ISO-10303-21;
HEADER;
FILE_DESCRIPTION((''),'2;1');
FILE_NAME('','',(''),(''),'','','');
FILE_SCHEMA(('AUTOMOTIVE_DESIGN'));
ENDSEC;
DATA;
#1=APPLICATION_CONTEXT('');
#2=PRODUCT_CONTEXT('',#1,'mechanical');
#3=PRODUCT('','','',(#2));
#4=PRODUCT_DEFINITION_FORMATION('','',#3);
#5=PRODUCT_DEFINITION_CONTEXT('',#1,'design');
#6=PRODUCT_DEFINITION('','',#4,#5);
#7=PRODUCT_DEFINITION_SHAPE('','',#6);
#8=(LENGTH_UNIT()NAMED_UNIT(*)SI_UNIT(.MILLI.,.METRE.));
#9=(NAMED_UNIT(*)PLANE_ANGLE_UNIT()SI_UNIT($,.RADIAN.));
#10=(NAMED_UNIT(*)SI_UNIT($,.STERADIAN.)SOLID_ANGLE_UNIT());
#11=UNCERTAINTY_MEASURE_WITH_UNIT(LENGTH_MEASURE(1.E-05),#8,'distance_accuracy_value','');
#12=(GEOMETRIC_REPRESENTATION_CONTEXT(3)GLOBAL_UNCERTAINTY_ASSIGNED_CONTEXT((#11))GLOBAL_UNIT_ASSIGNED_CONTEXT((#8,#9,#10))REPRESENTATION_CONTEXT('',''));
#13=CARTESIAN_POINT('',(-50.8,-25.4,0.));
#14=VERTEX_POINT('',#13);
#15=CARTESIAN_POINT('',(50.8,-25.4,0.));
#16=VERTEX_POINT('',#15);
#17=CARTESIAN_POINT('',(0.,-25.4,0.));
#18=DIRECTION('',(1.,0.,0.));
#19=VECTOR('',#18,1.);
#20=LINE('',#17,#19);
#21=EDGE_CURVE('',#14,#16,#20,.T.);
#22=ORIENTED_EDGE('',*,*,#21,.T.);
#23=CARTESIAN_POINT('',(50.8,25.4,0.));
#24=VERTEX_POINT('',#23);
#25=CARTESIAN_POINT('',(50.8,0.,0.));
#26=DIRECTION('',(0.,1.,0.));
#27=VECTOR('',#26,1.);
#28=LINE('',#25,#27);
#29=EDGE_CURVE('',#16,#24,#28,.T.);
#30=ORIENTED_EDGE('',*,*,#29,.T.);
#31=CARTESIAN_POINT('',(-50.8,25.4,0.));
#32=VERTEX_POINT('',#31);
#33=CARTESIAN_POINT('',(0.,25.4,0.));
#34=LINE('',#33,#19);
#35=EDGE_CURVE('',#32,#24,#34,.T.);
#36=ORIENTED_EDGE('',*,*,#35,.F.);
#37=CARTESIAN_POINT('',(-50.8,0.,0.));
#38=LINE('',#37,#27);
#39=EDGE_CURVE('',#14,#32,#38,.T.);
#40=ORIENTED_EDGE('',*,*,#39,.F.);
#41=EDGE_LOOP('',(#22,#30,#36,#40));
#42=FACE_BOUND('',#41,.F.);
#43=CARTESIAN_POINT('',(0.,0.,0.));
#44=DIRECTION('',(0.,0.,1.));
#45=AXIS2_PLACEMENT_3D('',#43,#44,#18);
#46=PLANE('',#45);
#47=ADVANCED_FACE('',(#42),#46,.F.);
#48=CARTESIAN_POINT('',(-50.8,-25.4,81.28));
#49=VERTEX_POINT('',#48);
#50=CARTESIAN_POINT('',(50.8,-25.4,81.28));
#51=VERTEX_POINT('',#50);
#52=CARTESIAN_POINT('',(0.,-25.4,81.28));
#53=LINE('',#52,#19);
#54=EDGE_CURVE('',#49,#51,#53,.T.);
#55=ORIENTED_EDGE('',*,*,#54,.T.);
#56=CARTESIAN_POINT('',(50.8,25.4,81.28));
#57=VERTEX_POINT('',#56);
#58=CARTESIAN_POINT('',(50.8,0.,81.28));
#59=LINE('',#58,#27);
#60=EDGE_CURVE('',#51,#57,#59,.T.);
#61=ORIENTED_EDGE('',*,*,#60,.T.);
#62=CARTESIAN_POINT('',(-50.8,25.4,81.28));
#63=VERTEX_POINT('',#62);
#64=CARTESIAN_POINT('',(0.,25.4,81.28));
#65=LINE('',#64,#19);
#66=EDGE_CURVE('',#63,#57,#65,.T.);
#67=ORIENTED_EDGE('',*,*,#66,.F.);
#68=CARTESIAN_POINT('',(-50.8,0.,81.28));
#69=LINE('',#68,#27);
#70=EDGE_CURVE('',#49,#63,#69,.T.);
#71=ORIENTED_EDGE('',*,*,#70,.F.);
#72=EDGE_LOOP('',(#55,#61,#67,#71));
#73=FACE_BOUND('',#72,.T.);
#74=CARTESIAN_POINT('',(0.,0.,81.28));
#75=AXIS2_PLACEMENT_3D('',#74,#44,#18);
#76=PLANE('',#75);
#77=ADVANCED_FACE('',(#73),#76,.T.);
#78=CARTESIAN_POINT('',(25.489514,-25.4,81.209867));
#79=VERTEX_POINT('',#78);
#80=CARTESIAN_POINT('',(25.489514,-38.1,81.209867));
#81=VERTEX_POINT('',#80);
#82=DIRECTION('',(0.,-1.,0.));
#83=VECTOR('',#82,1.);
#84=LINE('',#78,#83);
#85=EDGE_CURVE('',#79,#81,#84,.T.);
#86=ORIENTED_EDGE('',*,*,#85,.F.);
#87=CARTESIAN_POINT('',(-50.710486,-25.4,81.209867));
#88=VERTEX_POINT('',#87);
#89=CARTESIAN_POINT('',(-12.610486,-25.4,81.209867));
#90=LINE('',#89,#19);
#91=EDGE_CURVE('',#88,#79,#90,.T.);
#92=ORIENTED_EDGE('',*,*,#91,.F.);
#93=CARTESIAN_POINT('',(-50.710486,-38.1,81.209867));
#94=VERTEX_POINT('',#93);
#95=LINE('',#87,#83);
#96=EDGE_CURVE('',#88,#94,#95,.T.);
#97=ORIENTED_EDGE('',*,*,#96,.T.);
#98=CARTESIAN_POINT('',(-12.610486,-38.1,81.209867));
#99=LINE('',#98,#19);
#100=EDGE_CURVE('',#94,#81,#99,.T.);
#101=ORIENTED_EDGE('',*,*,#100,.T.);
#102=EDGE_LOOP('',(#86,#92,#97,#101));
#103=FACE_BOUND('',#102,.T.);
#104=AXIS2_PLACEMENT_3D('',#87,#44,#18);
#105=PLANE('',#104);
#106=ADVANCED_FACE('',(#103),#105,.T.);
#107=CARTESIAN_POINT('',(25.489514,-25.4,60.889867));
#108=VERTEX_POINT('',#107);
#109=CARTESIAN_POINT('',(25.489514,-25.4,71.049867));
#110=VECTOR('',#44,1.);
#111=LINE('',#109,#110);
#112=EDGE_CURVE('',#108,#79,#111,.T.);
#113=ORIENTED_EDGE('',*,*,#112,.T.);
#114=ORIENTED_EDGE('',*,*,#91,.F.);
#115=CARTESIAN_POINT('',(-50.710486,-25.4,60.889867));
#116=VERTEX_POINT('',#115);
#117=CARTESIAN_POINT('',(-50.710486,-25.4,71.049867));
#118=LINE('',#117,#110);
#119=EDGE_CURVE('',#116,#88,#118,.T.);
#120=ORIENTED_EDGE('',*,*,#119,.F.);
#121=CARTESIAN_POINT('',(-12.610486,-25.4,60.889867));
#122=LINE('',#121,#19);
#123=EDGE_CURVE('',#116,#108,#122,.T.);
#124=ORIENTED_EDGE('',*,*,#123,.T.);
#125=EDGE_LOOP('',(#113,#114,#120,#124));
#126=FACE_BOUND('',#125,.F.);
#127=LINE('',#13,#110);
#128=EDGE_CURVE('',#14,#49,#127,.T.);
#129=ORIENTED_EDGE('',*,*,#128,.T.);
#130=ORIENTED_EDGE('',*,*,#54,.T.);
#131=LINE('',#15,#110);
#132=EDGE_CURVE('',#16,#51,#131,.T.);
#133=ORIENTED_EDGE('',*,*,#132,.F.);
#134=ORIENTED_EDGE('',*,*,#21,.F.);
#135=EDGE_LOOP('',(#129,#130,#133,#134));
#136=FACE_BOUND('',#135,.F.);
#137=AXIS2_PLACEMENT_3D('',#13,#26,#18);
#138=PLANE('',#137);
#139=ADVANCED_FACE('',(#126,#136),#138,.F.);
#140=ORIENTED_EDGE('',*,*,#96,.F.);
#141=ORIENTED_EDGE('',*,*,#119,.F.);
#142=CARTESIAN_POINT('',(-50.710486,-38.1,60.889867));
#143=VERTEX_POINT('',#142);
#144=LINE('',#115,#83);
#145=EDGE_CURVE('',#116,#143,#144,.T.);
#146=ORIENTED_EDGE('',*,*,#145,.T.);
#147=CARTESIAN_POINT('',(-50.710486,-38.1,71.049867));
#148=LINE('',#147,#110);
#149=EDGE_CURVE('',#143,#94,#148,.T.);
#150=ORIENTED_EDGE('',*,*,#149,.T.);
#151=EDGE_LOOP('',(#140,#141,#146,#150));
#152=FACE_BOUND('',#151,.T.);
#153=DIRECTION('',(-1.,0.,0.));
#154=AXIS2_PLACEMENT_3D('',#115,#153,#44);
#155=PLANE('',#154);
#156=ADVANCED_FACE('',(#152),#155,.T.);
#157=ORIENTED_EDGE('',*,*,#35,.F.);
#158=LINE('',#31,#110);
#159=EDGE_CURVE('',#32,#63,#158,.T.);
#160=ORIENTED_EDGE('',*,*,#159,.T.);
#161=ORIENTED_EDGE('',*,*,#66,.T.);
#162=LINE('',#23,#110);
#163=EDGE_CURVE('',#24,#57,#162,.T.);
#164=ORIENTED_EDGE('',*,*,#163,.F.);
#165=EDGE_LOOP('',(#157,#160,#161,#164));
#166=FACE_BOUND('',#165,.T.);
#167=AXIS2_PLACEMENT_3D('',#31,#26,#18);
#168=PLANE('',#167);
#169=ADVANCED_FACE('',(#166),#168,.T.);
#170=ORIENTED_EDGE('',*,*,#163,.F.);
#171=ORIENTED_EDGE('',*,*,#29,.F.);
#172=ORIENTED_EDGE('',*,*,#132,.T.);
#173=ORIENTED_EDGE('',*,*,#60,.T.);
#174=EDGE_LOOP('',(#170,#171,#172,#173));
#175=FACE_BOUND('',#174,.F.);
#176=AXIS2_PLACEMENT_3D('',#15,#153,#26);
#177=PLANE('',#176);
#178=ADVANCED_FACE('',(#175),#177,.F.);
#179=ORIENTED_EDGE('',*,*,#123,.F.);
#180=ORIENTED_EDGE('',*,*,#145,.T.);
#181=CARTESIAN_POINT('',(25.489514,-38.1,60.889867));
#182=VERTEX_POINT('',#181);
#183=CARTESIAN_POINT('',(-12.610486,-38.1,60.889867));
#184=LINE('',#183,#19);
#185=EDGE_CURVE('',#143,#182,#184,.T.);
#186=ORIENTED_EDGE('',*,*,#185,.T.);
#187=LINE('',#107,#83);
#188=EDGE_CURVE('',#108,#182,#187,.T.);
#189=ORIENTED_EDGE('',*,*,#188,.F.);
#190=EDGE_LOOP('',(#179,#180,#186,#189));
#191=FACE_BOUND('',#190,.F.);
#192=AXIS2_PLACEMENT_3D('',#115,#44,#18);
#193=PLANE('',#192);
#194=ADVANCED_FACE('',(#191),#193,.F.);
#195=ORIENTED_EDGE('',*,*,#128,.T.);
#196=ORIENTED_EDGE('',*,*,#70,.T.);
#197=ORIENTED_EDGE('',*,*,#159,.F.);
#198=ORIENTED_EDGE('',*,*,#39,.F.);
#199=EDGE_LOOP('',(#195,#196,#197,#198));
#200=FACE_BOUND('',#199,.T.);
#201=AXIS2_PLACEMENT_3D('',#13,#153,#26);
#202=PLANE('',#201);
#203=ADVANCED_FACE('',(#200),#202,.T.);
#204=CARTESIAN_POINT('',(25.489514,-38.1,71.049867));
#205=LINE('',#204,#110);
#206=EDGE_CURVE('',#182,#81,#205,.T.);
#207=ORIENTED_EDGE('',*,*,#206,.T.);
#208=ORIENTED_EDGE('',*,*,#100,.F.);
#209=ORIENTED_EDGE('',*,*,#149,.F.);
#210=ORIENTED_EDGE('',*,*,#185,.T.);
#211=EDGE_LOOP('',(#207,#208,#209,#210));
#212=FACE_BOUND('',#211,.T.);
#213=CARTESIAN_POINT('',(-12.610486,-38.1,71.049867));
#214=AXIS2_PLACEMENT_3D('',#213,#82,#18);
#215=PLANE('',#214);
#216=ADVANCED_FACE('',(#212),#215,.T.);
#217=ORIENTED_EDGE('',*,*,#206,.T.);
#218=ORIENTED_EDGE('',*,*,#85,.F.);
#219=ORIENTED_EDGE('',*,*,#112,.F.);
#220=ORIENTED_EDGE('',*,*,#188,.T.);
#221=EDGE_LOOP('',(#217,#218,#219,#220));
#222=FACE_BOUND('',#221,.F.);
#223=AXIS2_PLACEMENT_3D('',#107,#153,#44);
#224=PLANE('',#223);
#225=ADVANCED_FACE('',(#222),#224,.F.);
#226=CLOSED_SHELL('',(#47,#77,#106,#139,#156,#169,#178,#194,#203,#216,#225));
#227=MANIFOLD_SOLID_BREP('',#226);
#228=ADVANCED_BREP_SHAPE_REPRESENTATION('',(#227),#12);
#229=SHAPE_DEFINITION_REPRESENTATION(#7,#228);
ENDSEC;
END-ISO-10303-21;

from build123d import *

# Parameters (mm, degrees)
F0_W     = 101.6
F0_H     = 50.8
F1_DEPTH = 81.28
F3_W     = 76.2
F3_H     = 20.32
F4_DEPTH = 12.7


with BuildPart() as f1:
    # F0 (on Top) → F1 (new body)
    with BuildSketch(Plane.XY):
        Rectangle(F0_W, F0_H)
    extrude(amount=F1_DEPTH)

    # F3 (on offset) → F4 (join)
    with BuildSketch(Plane.XZ.offset(25.4)):
        with Locations((-12.610486, 71.049867)):
            Rectangle(F3_W, F3_H)
    extrude(amount=F4_DEPTH)


solid = f1.part
